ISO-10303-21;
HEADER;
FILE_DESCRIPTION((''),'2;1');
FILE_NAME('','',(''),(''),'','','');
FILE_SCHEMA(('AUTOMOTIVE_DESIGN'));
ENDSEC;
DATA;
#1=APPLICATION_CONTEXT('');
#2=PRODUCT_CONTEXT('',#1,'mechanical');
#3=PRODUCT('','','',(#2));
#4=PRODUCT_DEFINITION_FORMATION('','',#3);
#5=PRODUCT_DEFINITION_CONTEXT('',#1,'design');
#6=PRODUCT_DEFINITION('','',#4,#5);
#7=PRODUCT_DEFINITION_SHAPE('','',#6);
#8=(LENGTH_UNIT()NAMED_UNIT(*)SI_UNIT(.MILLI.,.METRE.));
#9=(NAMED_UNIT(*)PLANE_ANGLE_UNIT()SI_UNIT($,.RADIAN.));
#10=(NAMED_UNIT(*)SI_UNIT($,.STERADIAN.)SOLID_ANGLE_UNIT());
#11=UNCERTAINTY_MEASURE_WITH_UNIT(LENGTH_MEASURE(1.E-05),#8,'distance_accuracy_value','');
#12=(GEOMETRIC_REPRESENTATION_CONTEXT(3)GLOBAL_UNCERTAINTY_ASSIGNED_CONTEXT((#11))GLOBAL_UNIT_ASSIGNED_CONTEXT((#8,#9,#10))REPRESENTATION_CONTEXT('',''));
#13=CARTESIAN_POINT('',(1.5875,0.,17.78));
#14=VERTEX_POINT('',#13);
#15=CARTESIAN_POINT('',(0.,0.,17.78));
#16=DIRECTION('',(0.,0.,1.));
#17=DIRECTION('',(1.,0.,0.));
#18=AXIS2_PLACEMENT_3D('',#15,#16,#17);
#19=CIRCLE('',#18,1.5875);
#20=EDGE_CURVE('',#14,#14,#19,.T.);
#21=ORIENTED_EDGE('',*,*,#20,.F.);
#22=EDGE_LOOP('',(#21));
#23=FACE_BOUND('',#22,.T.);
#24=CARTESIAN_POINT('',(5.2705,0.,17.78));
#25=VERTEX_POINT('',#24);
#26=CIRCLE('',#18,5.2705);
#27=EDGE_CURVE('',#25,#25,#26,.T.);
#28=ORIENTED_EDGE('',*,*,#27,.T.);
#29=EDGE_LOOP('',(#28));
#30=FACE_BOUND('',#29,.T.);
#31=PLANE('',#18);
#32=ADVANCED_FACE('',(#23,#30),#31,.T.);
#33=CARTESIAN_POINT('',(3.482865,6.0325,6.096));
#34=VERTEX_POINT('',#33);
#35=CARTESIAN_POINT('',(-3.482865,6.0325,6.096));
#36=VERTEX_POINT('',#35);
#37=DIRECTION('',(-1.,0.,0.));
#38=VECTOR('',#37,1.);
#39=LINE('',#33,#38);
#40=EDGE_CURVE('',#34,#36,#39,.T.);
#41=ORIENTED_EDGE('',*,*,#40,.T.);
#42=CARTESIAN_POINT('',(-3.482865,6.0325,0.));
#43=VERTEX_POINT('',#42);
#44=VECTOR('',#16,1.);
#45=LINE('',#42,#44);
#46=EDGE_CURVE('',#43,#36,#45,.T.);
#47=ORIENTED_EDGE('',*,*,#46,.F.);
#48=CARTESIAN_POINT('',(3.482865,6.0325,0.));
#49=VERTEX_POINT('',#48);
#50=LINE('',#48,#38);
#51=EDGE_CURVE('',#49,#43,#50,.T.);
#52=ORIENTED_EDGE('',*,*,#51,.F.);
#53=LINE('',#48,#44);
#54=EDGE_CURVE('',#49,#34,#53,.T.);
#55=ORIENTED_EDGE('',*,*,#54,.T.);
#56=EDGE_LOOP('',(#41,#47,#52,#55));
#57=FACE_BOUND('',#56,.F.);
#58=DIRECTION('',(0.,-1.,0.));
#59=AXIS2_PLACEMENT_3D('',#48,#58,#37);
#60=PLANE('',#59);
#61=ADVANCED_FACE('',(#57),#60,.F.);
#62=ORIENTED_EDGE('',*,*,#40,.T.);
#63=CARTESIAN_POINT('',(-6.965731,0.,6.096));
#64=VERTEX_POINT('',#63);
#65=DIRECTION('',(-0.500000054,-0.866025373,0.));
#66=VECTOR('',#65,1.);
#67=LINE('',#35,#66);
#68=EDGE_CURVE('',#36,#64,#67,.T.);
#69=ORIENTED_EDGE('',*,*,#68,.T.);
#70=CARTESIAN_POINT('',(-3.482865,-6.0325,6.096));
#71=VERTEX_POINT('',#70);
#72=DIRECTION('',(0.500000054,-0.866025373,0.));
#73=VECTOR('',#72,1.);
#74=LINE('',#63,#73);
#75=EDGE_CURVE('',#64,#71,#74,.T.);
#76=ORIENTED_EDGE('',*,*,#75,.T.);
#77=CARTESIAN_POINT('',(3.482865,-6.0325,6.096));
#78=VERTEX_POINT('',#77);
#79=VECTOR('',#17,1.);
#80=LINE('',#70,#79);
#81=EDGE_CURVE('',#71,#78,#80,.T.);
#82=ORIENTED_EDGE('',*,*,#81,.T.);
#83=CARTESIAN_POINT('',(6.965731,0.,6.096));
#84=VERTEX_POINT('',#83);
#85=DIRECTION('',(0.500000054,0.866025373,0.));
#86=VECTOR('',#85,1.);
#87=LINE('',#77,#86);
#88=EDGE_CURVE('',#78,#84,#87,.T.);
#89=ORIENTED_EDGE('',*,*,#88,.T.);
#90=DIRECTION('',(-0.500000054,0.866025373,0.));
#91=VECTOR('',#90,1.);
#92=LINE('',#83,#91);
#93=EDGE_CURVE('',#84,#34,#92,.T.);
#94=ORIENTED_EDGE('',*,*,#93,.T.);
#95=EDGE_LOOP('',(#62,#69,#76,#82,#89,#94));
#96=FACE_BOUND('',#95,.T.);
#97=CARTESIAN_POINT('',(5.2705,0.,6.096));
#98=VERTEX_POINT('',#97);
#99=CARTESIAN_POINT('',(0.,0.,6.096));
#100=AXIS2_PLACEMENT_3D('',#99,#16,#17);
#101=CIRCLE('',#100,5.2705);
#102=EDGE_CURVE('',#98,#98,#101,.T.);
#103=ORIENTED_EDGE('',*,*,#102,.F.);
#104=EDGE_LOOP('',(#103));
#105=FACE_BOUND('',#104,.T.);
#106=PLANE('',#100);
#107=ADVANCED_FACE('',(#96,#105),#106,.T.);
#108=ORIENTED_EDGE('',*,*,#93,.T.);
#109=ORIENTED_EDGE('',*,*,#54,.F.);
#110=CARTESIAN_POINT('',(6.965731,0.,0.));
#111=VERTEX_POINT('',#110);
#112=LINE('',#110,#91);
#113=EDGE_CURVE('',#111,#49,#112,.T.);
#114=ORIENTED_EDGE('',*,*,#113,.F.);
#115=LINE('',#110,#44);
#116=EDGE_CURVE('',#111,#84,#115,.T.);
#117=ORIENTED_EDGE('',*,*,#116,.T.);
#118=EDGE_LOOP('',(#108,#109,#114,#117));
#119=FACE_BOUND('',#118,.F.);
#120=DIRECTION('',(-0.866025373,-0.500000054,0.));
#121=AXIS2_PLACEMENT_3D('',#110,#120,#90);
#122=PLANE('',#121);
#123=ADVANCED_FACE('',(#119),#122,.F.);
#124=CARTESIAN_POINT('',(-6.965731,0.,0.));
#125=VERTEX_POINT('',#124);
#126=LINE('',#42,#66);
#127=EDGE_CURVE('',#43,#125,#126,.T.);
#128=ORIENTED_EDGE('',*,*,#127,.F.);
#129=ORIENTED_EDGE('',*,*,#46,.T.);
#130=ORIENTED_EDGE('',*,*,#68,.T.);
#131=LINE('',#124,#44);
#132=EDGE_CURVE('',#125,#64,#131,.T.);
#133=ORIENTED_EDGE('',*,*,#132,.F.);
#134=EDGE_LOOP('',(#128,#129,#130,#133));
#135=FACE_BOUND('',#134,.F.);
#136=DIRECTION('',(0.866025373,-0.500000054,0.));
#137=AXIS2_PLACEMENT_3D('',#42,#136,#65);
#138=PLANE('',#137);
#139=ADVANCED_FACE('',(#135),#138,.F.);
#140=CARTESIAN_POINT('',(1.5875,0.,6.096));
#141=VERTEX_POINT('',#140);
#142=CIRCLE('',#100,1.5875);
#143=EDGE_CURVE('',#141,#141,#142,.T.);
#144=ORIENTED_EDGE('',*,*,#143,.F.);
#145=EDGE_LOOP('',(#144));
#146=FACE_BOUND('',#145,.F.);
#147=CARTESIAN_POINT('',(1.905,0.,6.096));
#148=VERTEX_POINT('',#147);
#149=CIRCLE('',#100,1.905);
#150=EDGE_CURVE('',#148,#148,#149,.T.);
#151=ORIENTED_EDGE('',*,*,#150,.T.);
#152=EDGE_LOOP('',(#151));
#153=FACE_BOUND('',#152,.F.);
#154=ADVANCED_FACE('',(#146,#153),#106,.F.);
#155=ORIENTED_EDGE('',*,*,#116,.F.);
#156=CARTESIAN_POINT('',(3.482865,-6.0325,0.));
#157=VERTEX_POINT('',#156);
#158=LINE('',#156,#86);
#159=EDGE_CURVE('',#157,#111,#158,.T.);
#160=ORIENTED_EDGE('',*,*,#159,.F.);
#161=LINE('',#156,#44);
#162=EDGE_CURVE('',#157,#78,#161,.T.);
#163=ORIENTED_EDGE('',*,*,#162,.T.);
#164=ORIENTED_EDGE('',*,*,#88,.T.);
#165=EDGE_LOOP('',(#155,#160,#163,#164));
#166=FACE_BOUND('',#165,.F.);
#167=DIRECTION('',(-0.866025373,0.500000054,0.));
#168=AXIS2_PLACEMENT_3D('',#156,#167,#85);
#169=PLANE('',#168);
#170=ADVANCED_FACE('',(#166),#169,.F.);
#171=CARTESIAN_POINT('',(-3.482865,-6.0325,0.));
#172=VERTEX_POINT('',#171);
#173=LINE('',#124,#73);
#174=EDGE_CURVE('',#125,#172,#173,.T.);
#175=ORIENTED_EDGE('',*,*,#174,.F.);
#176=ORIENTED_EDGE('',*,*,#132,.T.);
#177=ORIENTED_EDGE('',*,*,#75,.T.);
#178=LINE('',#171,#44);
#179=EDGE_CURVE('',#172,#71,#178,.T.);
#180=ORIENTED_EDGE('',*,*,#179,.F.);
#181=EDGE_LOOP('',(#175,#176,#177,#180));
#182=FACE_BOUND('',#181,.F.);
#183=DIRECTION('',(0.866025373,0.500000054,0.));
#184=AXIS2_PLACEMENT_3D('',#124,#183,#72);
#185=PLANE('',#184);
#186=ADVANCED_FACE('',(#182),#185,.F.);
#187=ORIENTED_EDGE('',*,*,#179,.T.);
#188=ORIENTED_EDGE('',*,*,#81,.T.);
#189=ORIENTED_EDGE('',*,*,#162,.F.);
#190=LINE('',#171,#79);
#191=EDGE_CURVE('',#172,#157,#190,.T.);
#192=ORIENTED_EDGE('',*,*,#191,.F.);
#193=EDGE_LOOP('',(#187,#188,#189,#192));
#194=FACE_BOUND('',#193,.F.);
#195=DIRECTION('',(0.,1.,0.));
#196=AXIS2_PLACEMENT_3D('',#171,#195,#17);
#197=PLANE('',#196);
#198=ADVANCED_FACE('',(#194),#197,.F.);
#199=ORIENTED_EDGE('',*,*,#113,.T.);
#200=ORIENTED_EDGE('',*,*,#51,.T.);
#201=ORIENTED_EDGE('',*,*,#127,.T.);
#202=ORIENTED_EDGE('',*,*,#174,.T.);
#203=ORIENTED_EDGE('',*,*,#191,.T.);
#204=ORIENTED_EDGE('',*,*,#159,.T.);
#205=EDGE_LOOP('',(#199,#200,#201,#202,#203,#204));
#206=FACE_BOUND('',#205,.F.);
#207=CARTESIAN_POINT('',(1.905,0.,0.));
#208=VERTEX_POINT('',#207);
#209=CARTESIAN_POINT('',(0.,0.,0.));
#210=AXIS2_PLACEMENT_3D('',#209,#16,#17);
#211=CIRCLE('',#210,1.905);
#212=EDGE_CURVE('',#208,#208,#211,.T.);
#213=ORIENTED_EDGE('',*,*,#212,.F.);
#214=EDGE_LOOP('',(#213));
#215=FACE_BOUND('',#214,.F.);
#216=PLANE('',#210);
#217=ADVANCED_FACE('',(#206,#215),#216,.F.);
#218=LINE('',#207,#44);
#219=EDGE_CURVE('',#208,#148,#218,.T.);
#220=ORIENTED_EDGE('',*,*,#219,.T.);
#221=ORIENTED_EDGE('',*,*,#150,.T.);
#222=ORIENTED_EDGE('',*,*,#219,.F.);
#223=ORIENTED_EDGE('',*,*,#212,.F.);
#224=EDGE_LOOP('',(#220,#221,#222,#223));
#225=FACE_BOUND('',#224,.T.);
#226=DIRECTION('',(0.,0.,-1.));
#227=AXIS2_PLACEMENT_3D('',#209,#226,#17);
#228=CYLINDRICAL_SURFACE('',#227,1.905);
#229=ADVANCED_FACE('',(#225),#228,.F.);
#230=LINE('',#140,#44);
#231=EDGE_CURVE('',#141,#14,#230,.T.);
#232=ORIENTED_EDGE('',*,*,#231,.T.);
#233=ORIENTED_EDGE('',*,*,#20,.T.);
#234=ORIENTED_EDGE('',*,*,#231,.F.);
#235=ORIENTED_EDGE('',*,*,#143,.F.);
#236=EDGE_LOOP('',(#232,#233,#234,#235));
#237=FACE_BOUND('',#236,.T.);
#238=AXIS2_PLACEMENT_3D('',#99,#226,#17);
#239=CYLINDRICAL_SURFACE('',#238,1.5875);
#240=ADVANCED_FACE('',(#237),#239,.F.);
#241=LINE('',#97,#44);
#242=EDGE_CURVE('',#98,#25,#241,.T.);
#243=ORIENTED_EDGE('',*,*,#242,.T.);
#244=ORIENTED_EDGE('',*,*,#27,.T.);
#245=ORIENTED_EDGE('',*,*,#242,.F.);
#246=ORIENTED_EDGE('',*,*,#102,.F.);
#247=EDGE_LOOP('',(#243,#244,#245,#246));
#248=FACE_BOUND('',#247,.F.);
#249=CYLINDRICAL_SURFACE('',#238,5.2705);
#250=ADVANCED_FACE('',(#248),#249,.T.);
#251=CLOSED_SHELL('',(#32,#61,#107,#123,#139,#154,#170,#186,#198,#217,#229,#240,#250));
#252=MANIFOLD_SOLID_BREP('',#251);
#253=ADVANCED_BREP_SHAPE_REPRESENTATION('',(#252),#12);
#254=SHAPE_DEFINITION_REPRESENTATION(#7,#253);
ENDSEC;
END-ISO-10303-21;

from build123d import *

# Parameters (mm, degrees)
F0_R     = 1.905
F1_DEPTH = 6.096
F2_R     = 5.2705
F2_R_2   = 1.5875
F3_DEPTH = 11.684


with BuildPart() as f1:
    # F0 (on Top) → F1 (new body)
    with BuildSketch(Plane.XY):
        Polygon((3.482865, 6.0325), (-3.482865, 6.0325), (-6.965731, 0), (-3.482865, -6.0325), (3.482865, -6.0325), (6.965731, 0), align=None)
        Circle(F0_R, mode=Mode.SUBTRACT)
    extrude(amount=F1_DEPTH)

    # F2 (on face) → F3 (join)
    with BuildSketch(Plane.XY.offset(6.096)):
        Circle(F2_R)
        Circle(F2_R_2, mode=Mode.SUBTRACT)
    extrude(amount=F3_DEPTH)


solid = f1.part
